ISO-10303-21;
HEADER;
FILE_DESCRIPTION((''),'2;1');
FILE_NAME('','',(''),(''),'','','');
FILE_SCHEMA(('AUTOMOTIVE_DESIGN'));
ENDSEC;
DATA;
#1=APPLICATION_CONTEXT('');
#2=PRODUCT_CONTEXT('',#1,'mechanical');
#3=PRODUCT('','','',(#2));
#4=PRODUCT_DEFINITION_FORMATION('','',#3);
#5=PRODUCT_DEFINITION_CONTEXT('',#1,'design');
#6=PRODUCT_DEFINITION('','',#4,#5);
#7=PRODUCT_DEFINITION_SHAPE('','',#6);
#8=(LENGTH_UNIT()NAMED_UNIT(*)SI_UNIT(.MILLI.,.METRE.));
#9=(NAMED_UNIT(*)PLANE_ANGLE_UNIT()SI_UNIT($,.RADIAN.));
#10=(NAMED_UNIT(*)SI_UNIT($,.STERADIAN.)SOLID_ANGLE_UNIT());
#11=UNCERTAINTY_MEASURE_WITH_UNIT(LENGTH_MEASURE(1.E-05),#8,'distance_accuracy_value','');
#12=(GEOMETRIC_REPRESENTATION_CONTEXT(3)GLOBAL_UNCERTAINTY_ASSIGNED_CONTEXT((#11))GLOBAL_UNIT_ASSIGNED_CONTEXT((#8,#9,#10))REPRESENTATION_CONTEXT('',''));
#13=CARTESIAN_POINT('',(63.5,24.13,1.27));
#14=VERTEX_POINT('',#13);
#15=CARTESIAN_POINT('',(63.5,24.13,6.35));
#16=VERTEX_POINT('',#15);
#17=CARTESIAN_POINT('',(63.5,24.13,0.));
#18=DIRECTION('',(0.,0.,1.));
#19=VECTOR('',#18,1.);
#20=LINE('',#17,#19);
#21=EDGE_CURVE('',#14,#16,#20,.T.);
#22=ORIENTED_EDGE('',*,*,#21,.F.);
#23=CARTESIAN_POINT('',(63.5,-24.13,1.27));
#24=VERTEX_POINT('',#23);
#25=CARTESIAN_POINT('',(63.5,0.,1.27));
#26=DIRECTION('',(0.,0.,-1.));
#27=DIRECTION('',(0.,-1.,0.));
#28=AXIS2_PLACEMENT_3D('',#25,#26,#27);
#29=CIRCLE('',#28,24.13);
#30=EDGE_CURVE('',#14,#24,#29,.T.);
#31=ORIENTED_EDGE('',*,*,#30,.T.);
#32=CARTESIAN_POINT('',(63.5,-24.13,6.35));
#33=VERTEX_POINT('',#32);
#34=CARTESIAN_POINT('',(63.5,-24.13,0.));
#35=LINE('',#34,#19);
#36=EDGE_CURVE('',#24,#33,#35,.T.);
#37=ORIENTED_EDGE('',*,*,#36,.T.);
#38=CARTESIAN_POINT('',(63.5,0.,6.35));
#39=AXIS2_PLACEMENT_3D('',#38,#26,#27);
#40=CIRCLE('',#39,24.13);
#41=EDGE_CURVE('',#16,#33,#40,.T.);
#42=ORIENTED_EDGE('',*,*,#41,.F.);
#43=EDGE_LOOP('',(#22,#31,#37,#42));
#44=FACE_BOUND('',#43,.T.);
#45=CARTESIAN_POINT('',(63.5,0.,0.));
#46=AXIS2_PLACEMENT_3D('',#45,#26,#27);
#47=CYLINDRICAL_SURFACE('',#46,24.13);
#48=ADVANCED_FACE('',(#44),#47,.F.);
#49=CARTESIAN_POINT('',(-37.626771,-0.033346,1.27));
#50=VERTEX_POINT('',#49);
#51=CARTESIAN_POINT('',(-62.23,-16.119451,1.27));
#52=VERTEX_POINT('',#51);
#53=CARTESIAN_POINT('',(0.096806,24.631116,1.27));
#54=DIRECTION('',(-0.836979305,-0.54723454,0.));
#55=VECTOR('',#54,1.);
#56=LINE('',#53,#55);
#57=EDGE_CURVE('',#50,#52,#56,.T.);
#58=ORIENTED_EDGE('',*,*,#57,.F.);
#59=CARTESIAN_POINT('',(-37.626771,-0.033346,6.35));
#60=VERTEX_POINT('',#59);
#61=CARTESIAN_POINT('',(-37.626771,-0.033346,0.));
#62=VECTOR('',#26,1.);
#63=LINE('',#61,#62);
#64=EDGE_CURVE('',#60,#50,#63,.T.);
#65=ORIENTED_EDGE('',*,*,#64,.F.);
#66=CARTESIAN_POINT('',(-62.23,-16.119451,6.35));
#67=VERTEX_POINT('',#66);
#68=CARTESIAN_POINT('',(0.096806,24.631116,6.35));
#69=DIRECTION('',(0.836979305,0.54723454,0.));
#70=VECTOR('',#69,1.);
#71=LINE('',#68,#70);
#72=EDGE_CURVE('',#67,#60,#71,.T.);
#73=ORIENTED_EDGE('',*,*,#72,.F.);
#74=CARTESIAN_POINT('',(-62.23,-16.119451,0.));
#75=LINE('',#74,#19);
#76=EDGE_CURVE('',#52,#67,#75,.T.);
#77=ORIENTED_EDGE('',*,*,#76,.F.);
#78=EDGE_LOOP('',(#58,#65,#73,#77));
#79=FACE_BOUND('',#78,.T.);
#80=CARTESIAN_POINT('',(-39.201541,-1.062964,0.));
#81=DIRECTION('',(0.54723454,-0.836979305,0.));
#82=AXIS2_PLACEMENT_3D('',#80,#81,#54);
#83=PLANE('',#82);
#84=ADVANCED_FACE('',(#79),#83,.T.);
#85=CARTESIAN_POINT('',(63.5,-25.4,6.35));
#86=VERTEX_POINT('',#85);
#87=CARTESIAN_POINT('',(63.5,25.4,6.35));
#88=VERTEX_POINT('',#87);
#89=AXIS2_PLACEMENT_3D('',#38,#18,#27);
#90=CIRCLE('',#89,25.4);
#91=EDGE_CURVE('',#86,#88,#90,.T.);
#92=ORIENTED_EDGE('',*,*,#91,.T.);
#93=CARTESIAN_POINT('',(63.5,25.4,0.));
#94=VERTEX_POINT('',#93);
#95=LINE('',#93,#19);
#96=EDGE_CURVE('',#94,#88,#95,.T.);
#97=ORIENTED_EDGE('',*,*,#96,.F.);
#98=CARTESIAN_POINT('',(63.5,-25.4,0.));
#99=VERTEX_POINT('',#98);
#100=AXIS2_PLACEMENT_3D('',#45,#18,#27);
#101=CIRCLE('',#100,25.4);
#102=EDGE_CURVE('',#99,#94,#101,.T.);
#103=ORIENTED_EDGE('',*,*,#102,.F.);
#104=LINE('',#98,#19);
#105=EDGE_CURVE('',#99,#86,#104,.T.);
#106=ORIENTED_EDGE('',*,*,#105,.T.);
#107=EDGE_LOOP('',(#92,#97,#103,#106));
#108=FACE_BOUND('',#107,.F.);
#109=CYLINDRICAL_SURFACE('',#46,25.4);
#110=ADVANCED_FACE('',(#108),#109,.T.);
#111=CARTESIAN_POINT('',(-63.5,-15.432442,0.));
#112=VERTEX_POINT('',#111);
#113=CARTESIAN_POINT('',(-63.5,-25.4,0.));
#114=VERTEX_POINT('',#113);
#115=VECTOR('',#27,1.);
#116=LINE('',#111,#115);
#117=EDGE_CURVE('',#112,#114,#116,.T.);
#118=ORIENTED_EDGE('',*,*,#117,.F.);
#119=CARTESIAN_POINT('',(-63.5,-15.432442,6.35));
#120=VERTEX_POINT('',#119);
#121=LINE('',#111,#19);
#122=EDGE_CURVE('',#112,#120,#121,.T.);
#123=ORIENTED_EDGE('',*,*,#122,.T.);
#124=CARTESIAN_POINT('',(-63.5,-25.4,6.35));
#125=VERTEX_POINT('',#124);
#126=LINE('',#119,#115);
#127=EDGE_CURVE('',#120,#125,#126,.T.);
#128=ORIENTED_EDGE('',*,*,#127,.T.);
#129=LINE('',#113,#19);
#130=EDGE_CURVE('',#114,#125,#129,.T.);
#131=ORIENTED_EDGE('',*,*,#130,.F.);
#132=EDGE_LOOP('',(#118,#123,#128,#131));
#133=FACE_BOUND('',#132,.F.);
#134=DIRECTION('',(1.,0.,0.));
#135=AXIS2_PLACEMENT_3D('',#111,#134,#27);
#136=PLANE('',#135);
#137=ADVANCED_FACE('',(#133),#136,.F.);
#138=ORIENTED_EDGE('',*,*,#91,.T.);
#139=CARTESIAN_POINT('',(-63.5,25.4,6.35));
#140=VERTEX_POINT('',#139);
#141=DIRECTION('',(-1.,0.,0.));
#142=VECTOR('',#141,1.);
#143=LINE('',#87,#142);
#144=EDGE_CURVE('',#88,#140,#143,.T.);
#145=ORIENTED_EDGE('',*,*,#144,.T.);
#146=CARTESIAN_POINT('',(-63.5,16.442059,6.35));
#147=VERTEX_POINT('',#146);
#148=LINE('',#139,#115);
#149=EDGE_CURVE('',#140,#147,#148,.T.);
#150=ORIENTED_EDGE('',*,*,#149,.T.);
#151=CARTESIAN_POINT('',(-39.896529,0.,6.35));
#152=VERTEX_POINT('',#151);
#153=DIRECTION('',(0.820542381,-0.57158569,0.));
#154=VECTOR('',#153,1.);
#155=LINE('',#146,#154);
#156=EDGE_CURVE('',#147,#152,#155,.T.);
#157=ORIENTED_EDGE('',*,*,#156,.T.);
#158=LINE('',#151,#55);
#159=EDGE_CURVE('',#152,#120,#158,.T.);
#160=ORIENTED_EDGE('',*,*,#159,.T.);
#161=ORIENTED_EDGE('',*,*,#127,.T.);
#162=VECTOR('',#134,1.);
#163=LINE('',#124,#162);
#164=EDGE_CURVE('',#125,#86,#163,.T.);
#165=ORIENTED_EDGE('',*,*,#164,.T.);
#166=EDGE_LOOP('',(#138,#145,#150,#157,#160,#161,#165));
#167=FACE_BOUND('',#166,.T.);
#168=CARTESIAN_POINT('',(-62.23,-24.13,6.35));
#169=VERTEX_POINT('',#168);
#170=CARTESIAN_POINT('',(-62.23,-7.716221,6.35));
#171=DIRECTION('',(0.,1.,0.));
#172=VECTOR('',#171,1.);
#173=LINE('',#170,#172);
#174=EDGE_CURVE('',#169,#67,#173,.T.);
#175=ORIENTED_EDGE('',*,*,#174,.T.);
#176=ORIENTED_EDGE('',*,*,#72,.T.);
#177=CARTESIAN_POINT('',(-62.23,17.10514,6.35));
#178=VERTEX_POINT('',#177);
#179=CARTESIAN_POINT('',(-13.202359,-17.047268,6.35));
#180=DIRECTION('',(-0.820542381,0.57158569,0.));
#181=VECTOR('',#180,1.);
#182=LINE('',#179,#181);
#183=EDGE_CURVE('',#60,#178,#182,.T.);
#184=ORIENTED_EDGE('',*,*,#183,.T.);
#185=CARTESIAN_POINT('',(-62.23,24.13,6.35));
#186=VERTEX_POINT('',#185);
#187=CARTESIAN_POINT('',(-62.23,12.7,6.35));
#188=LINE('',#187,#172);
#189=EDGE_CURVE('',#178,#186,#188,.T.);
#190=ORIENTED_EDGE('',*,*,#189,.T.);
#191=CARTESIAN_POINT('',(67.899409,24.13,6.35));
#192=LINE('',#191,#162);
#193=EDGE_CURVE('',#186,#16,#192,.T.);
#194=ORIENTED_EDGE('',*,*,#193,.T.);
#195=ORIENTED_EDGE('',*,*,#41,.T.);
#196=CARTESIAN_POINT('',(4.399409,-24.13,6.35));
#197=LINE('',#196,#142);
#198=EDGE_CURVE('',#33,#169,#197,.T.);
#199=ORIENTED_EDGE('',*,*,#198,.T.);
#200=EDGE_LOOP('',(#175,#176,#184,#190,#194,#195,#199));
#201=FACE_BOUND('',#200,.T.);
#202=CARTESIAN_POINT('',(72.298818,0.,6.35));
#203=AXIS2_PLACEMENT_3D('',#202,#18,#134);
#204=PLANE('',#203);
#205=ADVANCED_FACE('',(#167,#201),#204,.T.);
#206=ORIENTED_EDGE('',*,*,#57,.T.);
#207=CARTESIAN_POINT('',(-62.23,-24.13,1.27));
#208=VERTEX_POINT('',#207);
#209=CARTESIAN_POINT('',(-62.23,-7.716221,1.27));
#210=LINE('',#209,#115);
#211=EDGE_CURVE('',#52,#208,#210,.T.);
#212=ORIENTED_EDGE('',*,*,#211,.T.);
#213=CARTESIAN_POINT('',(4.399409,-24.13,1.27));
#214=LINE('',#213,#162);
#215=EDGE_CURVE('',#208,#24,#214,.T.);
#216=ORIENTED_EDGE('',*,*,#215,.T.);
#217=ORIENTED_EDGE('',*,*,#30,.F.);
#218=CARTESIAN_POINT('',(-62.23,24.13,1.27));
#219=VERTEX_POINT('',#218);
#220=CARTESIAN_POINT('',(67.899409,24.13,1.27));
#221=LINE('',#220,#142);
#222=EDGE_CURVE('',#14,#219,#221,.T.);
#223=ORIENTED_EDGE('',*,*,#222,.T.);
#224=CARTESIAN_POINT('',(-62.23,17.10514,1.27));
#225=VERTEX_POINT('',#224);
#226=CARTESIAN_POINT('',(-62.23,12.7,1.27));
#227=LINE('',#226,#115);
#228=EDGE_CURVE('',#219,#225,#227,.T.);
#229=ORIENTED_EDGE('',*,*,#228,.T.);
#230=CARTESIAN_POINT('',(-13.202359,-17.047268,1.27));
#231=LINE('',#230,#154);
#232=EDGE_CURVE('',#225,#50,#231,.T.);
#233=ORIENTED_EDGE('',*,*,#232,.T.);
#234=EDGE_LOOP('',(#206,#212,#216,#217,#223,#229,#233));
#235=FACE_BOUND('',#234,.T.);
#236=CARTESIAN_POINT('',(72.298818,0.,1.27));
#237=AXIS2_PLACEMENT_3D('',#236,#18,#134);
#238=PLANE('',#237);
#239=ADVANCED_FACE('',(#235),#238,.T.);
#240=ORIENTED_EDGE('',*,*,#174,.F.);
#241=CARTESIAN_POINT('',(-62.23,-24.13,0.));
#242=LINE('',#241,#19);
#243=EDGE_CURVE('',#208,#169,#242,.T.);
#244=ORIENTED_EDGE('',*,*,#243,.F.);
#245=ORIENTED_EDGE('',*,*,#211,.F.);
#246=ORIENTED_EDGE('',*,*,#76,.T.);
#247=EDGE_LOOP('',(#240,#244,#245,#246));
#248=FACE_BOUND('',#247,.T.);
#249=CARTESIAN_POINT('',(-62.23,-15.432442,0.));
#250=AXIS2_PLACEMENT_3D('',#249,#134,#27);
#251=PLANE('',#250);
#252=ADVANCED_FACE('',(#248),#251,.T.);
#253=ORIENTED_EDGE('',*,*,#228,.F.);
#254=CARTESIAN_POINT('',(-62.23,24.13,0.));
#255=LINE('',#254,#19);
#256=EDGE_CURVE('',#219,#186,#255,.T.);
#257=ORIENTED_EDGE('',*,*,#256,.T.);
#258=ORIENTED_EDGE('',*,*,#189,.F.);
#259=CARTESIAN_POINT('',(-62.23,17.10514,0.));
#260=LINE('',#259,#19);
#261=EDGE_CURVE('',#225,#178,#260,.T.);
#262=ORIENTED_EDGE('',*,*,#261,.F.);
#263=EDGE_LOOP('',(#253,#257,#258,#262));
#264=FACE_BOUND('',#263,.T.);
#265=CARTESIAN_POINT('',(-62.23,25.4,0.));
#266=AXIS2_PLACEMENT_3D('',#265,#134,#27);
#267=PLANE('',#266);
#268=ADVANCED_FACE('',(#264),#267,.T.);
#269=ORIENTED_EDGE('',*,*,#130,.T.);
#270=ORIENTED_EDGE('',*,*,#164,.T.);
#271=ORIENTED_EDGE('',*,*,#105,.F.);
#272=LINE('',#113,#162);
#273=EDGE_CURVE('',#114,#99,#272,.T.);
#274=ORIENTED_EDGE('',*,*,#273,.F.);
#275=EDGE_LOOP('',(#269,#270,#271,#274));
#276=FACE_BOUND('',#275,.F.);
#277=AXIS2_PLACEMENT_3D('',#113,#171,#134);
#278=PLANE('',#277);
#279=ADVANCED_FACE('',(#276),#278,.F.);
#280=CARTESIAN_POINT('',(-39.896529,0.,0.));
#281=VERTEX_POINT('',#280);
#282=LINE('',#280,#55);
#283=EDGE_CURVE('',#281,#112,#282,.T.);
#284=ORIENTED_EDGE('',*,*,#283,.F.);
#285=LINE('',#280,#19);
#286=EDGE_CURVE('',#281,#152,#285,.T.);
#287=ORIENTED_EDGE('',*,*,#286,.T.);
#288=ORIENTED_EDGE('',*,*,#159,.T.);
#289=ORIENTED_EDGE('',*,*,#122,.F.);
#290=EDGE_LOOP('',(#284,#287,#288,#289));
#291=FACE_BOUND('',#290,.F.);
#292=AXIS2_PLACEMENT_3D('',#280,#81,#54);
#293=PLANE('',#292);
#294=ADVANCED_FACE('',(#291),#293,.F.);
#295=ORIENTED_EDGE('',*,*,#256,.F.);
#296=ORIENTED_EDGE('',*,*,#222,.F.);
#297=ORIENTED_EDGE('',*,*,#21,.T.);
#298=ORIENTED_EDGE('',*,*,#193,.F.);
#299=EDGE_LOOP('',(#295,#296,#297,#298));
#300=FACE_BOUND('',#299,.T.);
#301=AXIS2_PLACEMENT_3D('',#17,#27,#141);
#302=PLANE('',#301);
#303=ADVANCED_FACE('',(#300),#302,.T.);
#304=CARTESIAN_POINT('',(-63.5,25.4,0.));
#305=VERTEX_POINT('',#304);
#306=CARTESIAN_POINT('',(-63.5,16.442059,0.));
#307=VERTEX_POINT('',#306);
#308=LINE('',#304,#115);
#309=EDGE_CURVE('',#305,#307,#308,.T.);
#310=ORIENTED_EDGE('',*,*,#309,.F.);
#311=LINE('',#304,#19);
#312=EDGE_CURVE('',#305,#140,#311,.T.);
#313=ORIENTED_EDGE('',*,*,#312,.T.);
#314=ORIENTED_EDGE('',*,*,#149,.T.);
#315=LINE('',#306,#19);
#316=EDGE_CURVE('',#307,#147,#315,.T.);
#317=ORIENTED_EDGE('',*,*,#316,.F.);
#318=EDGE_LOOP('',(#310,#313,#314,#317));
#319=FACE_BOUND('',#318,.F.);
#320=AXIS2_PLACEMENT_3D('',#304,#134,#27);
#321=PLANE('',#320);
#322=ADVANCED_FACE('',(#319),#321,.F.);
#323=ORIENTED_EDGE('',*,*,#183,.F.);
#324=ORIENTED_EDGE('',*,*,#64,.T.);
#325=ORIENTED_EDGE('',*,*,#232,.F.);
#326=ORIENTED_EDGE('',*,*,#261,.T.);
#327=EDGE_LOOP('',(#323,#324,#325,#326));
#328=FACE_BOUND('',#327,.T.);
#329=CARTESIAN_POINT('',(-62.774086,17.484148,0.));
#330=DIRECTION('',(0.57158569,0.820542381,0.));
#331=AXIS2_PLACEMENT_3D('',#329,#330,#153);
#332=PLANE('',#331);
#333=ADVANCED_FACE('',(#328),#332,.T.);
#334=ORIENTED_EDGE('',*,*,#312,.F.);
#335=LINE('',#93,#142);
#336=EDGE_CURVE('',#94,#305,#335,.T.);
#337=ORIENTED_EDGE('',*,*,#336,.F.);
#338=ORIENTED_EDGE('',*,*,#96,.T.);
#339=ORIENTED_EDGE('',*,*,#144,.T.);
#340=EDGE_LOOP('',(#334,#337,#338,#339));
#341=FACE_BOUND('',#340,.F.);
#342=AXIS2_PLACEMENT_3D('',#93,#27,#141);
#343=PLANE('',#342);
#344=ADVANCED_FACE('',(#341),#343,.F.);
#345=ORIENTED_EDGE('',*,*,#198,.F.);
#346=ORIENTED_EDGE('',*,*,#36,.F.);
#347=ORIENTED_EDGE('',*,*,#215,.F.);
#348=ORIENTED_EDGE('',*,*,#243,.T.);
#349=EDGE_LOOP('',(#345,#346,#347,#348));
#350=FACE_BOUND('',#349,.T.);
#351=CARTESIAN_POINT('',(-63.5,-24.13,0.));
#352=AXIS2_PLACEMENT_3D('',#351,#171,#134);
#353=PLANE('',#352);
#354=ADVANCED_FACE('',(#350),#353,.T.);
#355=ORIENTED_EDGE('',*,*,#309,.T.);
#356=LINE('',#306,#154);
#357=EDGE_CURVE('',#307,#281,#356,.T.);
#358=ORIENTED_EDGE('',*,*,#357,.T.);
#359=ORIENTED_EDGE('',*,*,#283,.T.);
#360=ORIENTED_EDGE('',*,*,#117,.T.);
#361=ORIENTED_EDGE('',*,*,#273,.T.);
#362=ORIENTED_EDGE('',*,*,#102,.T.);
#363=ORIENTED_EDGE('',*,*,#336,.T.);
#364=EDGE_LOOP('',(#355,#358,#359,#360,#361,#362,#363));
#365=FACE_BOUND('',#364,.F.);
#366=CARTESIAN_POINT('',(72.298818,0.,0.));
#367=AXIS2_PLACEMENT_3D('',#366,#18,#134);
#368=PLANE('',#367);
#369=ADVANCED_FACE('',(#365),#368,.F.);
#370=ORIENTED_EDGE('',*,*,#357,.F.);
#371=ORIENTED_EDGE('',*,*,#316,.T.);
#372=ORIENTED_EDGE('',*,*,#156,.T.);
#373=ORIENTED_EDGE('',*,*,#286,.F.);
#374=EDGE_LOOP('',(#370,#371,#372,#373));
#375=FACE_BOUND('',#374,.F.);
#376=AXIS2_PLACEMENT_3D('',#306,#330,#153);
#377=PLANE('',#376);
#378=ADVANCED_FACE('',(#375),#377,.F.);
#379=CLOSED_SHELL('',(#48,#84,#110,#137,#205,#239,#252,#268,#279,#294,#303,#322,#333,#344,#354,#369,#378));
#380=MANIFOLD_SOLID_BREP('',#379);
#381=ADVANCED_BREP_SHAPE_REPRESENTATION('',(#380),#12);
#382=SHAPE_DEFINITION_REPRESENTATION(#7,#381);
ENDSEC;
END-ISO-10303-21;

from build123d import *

# Parameters (mm, degrees)
F1_DEPTH = 6.35
F2_T     = -1.27


with BuildPart() as f1:
    # F0 (on Top) → F1 (new body)
    with BuildSketch(Plane.XY):
        with BuildLine():
            ThreePointArc((63.5, -25.4), (88.9, 0), (63.5, 25.4))
            Line((63.5, 25.4), (63.5, -25.4))
        make_face()
        Polygon((63.5, 25.4), (-63.5, 25.4), (-63.5, 16.4420589135), (-39.8965291679, 0), (-63.5, -15.4324419141), (-63.5, -25.4), (63.5, -25.4), align=None)
    extrude(amount=F1_DEPTH)

    # F2
    f2_openings = [f1.faces().sort_by_distance(p)[0] for p in [
        (13.571184, -0.017859, 6.35),
    ]]
    offset(amount=F2_T, openings=f2_openings, kind=Kind.INTERSECTION)


solid = f1.part
